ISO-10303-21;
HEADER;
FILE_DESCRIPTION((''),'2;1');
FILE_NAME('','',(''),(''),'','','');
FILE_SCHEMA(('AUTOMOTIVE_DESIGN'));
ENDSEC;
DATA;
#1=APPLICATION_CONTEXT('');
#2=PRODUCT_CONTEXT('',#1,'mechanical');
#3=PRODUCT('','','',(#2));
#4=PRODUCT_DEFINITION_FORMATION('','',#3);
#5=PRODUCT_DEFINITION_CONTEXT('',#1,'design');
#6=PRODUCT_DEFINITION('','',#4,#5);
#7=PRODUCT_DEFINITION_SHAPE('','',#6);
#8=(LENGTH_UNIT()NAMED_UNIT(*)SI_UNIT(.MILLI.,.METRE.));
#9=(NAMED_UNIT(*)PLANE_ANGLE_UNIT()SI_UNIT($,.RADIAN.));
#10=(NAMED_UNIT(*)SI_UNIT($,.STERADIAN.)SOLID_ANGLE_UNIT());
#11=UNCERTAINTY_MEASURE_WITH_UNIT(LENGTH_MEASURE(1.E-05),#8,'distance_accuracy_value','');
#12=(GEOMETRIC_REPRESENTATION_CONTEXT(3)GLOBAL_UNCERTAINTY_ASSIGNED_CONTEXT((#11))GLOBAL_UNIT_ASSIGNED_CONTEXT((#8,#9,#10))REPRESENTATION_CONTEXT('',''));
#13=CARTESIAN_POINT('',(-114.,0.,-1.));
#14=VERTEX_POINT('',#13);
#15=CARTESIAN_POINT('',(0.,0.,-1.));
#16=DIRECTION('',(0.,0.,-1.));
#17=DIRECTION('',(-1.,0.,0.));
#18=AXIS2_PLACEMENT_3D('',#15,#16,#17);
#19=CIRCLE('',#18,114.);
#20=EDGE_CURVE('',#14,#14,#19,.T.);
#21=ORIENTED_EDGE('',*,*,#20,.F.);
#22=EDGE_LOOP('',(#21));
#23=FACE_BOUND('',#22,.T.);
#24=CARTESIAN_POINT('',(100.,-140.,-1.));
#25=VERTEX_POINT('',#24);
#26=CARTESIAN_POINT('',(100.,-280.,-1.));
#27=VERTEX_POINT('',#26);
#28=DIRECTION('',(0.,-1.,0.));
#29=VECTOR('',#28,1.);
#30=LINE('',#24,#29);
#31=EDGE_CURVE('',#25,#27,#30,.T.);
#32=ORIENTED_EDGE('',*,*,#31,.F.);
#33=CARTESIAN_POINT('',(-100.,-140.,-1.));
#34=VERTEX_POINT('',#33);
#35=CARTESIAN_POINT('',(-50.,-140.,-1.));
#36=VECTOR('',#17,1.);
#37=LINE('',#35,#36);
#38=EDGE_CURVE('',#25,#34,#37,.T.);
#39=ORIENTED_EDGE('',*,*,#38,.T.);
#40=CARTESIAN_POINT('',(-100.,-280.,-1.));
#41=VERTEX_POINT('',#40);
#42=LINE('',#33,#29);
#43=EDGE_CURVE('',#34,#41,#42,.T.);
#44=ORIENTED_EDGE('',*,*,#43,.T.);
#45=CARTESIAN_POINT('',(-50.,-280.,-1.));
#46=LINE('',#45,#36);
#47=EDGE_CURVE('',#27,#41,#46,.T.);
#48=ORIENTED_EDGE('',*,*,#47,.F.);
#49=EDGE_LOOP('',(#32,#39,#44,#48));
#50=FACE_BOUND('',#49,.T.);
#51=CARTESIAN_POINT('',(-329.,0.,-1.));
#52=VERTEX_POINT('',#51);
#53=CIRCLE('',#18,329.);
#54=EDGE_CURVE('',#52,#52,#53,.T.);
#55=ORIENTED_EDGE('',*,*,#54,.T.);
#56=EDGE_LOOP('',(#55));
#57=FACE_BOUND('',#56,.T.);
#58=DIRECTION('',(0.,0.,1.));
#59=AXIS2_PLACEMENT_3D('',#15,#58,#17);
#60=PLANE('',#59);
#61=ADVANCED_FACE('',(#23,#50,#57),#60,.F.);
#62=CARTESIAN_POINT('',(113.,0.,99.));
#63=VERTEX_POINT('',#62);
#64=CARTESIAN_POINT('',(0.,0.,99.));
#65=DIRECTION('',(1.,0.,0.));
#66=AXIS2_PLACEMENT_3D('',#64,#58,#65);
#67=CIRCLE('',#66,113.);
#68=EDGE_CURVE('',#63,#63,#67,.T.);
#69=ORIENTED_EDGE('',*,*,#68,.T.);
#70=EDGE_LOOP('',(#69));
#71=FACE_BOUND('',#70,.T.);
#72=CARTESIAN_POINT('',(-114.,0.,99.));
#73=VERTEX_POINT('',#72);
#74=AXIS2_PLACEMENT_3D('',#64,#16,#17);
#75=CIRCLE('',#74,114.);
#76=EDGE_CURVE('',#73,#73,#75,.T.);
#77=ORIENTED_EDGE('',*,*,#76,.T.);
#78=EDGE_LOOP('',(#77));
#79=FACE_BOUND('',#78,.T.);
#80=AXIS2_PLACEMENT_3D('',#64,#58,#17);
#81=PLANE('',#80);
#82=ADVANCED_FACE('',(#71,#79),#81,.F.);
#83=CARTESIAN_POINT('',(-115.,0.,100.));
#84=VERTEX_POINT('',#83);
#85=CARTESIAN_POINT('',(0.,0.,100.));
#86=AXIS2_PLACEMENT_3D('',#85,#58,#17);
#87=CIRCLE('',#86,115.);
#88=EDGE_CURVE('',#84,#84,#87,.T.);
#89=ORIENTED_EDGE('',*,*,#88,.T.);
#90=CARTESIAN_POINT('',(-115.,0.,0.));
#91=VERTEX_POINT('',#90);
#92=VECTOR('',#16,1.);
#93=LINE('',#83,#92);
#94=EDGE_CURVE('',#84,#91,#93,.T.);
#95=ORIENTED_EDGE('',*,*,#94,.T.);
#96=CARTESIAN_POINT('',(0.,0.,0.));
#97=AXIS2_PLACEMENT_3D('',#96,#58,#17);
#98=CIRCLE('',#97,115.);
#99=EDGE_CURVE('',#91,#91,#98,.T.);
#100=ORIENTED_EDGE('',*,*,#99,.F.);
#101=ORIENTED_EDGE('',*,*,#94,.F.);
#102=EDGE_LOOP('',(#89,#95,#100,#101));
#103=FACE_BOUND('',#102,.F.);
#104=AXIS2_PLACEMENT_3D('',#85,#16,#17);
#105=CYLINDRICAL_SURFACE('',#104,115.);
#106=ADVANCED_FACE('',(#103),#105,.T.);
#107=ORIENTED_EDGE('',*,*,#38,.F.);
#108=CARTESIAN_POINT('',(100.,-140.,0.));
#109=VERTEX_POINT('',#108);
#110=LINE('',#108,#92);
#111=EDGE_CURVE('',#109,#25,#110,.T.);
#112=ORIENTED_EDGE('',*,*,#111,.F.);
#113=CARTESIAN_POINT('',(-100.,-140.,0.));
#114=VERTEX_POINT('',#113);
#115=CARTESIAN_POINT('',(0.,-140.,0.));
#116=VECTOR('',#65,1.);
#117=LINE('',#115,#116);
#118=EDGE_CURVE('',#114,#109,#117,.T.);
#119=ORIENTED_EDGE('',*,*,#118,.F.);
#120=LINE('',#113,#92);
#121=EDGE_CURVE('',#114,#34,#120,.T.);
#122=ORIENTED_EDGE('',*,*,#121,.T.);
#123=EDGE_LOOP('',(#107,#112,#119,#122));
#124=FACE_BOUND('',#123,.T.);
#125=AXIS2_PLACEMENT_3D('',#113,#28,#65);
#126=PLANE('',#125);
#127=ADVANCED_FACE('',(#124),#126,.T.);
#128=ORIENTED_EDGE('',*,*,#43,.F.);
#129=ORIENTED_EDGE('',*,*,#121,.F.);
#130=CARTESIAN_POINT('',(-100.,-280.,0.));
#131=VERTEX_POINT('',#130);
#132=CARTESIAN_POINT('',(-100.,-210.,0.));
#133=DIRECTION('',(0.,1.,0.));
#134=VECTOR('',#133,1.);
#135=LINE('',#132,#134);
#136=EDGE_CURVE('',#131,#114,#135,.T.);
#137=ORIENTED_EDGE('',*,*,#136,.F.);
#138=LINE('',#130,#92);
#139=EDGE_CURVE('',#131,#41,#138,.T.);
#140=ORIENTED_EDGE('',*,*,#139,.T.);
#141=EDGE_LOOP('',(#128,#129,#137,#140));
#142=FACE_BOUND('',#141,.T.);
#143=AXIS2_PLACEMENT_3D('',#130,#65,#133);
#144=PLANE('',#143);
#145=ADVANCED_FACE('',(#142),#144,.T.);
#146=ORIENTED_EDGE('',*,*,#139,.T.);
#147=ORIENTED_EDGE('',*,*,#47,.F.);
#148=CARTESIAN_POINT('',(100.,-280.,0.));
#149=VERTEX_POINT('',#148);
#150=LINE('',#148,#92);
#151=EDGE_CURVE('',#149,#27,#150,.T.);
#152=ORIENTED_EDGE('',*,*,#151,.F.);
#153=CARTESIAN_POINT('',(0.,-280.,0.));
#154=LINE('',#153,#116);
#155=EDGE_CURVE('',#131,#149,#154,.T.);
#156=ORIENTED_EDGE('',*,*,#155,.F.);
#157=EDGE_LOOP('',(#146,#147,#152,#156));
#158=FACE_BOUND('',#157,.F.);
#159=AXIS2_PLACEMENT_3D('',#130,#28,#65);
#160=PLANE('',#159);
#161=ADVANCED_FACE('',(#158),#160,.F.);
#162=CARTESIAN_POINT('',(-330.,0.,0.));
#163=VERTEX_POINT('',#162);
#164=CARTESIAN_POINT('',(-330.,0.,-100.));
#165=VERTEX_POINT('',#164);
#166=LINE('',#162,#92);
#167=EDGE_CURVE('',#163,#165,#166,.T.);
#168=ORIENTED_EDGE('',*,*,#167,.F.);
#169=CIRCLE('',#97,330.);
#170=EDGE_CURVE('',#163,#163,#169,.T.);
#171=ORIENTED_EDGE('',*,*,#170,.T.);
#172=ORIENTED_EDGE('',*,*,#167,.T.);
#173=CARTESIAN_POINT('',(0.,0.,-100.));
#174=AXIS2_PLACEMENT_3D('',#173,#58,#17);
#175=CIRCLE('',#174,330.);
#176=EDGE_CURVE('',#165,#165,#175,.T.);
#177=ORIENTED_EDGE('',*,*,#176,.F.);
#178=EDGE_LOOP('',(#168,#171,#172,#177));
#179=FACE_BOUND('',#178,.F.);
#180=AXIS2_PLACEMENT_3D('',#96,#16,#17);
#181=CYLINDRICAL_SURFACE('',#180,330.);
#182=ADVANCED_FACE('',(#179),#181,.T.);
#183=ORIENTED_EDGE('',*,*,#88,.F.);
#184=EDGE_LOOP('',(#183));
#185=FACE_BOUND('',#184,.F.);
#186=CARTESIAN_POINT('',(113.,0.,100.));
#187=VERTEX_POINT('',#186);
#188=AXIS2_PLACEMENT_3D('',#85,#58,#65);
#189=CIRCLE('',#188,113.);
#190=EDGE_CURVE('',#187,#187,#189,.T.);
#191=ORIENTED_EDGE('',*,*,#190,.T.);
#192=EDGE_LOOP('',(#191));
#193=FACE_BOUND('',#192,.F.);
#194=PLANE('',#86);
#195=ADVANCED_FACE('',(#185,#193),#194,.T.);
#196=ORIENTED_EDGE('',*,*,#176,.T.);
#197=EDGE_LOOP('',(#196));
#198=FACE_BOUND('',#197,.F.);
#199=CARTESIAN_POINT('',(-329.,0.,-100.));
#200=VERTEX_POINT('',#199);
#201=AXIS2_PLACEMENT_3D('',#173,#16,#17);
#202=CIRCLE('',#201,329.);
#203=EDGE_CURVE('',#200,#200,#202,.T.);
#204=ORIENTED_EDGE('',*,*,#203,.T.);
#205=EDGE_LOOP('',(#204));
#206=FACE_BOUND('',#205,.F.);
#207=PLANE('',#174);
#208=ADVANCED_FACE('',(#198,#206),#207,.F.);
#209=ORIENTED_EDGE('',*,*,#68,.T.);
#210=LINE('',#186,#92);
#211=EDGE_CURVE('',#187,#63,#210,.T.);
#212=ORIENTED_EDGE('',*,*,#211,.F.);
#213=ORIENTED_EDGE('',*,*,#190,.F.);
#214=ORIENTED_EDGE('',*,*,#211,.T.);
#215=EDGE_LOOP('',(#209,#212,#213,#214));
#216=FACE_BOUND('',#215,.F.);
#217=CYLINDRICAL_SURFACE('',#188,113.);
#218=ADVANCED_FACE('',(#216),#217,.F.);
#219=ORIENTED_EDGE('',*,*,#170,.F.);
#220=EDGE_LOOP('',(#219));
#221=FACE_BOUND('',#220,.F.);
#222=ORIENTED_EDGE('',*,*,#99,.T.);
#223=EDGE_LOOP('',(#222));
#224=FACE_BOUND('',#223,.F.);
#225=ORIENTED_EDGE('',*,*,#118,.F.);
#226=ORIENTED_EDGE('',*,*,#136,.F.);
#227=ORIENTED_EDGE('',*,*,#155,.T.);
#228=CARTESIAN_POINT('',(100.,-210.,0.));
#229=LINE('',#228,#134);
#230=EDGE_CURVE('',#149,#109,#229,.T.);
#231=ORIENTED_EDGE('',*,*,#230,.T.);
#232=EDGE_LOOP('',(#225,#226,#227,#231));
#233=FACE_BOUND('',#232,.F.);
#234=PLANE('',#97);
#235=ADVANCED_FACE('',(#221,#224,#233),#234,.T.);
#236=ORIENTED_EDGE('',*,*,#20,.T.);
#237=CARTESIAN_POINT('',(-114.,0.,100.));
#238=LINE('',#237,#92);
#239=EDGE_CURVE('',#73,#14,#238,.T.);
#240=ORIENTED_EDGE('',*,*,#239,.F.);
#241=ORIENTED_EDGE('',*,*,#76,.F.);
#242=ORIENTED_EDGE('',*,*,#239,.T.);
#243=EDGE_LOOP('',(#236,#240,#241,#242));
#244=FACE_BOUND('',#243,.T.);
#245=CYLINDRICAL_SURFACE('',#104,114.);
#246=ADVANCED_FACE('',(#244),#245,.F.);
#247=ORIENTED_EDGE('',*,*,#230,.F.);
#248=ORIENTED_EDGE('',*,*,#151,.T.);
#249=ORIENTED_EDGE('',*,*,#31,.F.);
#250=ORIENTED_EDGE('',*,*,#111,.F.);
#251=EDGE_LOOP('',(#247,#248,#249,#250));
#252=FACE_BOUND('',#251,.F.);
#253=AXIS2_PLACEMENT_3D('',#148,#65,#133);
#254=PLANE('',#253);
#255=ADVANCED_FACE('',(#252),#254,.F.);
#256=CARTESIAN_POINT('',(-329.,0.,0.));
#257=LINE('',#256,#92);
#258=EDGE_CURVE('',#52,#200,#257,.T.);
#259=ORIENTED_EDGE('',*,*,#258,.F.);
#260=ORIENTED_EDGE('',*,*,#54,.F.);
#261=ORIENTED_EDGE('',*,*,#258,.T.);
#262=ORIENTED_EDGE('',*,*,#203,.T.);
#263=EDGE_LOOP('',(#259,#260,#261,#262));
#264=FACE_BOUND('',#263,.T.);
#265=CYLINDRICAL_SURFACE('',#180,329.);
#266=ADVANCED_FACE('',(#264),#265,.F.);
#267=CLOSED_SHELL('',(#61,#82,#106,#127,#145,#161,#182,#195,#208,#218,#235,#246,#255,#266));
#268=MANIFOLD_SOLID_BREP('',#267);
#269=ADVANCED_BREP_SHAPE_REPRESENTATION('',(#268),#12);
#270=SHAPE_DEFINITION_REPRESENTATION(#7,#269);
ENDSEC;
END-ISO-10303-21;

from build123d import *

# Parameters (mm, degrees)
F2_T     = -1
F3_R     = 113
F4_DEPTH = 200.001
F5_W     = 200
F5_H     = 140
F6_DEPTH = 100.001


with BuildPart() as f1:
    # F0 (on Front) → F1 (revolve)
    with BuildSketch(Plane.XZ):
        Polygon((0, 100), (-115, 100), (-115, 0), (-330, 0), (-330, -100), (0, -100), align=None)
    revolve(axis=Axis((0, 0, 94.9130495359), (0, 0, 1)))

    # F2
    f2_openings = [f1.faces().sort_by_distance(p)[0] for p in [
        (0, 0, -100),
    ]]
    offset(amount=F2_T, openings=f2_openings, kind=Kind.INTERSECTION)

    # F3 (on face) → F4 (cut, through all)
    with BuildSketch(Plane.XY.offset(100)):
        Circle(F3_R)
    extrude(amount=-F4_DEPTH, mode=Mode.SUBTRACT)

    # F5 (on face) → F6 (cut, through all)
    with BuildSketch(Plane.XY):
        with Locations((0, -210)):
            Rectangle(F5_W, F5_H)
    extrude(amount=-F6_DEPTH, mode=Mode.SUBTRACT)


solid = f1.part
